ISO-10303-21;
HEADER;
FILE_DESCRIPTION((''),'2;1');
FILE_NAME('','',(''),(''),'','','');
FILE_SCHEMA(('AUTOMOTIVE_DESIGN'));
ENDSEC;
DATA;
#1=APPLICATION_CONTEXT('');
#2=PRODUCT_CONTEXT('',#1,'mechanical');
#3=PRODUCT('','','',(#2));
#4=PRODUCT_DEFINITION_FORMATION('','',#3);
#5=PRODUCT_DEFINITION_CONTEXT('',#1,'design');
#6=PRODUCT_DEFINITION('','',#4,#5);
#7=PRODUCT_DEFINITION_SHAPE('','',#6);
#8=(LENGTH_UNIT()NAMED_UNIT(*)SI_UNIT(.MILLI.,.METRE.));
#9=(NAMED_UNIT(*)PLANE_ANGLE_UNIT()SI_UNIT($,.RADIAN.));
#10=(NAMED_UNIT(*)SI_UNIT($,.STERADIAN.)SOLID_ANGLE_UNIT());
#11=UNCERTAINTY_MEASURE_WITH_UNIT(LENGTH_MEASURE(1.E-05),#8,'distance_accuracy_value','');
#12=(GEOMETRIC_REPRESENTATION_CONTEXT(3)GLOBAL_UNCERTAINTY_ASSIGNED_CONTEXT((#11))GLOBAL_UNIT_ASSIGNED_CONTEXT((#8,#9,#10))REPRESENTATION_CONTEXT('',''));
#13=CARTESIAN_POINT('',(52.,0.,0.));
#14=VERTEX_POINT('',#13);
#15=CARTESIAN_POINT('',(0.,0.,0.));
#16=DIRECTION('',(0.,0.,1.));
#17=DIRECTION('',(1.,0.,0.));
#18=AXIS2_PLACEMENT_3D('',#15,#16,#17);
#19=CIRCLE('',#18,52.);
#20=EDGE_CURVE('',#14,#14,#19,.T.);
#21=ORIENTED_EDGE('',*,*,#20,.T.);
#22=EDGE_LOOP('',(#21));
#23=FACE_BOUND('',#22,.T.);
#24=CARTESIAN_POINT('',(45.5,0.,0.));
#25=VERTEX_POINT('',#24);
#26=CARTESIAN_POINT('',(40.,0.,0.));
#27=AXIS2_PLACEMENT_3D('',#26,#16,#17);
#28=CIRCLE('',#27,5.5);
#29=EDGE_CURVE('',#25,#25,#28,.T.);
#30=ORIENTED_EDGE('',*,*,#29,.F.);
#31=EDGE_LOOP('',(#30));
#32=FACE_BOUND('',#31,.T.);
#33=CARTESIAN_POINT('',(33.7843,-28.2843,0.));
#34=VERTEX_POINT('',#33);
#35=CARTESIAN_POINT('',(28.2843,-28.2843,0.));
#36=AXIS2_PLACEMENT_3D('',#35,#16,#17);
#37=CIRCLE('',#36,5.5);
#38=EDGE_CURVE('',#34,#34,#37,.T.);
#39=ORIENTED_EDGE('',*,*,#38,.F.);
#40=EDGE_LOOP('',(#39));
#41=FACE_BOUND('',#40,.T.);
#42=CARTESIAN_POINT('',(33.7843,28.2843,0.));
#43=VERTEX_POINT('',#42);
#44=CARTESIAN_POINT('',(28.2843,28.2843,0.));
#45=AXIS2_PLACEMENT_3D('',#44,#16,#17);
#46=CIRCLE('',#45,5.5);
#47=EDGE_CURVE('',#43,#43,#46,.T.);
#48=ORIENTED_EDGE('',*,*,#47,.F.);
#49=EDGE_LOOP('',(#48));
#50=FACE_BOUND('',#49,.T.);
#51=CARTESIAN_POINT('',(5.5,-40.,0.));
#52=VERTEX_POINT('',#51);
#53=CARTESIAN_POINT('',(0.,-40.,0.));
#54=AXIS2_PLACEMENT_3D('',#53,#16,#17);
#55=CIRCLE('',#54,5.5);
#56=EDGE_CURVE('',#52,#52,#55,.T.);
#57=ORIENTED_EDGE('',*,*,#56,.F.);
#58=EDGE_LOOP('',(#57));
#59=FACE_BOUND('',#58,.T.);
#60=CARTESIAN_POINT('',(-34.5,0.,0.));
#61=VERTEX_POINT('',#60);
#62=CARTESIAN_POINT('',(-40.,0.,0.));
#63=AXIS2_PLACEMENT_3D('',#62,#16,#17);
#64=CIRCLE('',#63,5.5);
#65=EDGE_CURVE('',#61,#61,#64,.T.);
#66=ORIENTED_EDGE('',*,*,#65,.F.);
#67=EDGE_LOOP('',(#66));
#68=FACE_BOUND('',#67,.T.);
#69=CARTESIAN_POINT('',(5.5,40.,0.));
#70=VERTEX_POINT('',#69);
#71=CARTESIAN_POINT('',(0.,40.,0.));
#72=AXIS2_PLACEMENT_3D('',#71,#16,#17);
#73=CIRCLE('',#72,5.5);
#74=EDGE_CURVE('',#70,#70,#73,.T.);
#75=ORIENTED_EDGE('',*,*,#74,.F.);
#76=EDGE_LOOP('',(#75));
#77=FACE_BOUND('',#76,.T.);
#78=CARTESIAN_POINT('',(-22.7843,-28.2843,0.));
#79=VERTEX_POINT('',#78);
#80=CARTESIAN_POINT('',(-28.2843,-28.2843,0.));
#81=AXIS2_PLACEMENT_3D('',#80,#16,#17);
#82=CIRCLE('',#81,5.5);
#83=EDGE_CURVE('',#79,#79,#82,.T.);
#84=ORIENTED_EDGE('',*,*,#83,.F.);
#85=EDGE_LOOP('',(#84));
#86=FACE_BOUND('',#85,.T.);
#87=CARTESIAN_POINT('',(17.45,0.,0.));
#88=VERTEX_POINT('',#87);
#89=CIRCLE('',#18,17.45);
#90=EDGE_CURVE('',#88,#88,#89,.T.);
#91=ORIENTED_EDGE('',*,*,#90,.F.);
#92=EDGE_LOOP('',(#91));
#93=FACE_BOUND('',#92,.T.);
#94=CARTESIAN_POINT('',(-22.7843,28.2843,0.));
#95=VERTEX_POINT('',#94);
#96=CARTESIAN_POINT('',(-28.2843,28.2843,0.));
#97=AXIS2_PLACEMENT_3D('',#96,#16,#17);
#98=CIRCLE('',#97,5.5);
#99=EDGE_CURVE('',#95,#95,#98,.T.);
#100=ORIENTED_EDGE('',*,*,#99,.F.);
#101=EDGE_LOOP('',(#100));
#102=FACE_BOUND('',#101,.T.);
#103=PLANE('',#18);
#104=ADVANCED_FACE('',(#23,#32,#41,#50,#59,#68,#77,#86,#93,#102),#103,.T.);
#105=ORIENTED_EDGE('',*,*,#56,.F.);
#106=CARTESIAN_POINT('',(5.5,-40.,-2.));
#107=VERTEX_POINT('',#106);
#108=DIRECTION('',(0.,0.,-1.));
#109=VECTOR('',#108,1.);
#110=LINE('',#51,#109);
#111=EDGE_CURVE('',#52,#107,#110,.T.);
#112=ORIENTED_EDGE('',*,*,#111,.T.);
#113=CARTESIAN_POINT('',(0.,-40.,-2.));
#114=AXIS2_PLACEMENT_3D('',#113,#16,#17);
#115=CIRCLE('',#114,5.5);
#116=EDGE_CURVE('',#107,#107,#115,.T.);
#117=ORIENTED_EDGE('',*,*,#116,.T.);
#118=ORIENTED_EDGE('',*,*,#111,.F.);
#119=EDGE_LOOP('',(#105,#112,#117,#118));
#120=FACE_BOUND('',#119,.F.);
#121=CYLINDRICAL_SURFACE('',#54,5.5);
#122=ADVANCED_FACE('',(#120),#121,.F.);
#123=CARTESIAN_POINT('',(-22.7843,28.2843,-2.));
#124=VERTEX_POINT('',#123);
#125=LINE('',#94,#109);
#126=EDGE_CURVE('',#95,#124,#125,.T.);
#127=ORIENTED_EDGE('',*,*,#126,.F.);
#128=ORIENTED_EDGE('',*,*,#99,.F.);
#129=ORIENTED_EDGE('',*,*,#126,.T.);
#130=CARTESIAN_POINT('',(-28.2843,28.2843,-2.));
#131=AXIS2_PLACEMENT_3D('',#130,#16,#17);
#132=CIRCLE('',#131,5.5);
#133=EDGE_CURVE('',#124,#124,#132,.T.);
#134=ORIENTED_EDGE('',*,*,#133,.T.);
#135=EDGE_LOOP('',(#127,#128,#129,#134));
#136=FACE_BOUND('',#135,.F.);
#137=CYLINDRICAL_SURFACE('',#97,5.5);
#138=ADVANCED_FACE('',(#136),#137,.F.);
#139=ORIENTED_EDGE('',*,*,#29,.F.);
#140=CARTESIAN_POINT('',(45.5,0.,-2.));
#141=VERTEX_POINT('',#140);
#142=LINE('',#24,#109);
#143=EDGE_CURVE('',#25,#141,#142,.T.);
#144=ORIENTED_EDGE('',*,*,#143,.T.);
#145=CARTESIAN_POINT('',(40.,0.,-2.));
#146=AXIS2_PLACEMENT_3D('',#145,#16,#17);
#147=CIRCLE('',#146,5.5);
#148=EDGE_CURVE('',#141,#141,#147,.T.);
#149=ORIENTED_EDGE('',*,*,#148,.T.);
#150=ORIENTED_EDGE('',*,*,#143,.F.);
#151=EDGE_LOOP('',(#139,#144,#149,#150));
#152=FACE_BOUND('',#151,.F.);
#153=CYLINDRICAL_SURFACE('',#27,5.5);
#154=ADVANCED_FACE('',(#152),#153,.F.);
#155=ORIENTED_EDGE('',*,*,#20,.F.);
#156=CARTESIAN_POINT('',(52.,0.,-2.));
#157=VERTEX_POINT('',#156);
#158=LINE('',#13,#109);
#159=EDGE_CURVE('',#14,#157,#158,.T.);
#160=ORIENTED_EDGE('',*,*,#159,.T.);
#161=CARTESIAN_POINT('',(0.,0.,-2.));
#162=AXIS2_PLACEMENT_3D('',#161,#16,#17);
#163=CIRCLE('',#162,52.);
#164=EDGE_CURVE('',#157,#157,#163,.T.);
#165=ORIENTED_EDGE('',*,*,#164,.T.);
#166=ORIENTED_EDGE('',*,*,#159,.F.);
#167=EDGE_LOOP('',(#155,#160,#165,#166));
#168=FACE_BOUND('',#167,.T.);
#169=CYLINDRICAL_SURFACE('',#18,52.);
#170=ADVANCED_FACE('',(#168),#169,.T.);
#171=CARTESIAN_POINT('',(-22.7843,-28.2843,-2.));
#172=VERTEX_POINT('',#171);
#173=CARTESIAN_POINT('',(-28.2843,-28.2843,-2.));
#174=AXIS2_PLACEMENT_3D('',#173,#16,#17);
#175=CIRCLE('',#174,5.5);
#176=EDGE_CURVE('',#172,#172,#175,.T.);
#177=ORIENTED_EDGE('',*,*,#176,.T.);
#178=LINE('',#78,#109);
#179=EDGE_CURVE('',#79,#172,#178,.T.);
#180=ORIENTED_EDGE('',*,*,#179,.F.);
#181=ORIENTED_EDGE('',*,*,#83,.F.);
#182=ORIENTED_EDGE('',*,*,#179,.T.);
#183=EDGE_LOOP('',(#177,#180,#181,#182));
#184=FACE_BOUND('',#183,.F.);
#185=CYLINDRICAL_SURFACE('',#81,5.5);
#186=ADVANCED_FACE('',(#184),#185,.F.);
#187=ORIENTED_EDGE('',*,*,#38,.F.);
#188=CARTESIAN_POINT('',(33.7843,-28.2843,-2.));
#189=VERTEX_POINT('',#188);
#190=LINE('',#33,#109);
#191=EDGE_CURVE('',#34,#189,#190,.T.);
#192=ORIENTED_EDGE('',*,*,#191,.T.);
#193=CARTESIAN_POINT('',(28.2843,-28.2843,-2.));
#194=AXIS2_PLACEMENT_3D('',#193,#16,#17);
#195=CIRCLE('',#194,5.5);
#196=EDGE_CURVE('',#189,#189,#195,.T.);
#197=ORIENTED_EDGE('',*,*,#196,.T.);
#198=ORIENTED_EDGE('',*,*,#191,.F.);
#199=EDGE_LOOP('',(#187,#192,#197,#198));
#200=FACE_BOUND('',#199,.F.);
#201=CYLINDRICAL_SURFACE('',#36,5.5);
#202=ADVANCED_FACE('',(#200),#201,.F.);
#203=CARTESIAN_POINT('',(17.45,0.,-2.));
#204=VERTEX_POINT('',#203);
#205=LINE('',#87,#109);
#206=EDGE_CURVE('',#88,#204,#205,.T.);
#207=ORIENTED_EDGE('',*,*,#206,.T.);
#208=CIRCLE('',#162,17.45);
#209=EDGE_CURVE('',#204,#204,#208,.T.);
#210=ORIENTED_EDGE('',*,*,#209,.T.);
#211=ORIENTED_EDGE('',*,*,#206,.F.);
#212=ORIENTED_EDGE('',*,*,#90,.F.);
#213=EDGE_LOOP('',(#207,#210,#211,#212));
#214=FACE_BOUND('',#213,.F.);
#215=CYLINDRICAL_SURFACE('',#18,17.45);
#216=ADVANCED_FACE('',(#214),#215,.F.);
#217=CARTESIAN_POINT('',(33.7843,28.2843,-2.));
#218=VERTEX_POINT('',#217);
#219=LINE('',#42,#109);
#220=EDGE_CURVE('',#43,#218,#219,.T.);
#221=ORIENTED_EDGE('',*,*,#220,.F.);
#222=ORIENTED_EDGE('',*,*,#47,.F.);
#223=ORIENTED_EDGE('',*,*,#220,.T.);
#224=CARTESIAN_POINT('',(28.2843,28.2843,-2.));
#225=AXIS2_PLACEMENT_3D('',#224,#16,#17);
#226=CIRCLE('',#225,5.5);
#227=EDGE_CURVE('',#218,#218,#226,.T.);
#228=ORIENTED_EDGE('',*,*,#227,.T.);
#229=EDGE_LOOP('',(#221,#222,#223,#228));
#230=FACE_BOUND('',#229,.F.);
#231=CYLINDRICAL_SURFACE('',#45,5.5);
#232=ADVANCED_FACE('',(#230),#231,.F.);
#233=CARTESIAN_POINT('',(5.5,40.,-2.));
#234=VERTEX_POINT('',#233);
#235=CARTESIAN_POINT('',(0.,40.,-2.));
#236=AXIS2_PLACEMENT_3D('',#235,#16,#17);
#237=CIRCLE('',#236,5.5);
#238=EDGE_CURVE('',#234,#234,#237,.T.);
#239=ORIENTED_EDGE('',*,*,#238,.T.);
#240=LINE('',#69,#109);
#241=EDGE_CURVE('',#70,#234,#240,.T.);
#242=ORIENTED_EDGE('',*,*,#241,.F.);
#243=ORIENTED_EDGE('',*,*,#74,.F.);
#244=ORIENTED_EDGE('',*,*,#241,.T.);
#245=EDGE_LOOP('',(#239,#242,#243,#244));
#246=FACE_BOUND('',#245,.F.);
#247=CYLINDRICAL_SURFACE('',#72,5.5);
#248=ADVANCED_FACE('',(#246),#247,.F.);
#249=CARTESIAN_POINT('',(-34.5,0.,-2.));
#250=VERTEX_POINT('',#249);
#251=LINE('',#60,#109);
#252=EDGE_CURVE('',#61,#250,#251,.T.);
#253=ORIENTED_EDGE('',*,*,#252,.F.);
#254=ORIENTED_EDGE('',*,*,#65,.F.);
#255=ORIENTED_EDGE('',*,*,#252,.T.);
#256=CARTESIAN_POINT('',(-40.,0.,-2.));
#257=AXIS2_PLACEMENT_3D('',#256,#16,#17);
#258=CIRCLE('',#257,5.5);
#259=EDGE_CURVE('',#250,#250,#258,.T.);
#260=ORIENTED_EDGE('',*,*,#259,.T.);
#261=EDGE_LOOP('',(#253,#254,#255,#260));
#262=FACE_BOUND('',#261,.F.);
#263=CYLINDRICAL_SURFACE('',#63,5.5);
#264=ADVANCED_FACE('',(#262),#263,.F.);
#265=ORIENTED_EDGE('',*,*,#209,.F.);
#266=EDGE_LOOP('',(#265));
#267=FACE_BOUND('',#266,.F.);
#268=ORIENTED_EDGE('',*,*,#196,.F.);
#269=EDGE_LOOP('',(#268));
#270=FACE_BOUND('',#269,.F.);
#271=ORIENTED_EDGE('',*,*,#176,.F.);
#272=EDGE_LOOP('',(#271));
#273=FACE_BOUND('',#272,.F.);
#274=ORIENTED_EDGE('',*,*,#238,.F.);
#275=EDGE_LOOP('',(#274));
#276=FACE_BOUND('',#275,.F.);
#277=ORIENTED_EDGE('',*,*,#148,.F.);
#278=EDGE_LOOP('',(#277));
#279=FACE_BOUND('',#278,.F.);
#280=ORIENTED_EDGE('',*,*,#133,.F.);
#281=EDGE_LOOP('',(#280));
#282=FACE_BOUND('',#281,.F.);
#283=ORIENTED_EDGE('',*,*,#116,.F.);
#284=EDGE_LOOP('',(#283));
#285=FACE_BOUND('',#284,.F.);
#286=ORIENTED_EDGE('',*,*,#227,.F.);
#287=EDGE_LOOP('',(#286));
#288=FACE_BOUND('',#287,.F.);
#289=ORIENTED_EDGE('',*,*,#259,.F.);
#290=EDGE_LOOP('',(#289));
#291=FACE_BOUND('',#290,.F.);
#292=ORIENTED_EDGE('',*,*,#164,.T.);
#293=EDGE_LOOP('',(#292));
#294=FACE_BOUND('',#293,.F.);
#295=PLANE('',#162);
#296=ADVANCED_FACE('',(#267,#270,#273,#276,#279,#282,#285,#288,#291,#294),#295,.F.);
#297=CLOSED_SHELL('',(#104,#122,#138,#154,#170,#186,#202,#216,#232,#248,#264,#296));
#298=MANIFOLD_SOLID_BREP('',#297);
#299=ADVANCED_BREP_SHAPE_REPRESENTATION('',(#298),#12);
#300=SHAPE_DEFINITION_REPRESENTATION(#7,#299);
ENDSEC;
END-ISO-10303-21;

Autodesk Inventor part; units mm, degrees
ref_plane "YZ Plane" through (0, 0, 0) normal (1, 0, 0) x (0, 1, 0)
ref_plane "XZ Plane" through (0, 0, 0) normal (0, 1, 0) x (-1, 0, 0)
ref_plane "XY Plane" through (0, 0, 0) normal (0, 0, 1) x (1, 0, 0)
sketch "Sketch1" plane through (0, 0, 0) normal (0, 0, 1) x (1, 0, 0)
  circle A0 centre (0, 0) radius 52
  circle A1 centre (0, 0) radius 17.45
  circle A2 centre (0, 0) radius 40 construction
  circle A3 centre (40, 0) radius 5.5
  circle A4 centre (28.2843, 28.2843) radius 5.5
  circle A5 centre (0, 40) radius 5.5
  circle A6 centre (-28.2843, 28.2843) radius 5.5
  circle A7 centre (-40, 0) radius 5.5
  circle A8 centre (-28.2843, -28.2843) radius 5.5
  circle A9 centre (0, -40) radius 5.5
  circle A10 centre (28.2843, -28.2843) radius 5.5
  dimension "d39" = 80
  dimension "d31" = 34.9
  dimension "d32" = 104
  dimension "d40" = 11
  dimension "d43" = 360
extrude "Plate1" add sketch "Sketch1" against normal blind 2
equation "\"d15\" = Thickness"
equation "\"BendRadius\" = Thickness"
equation "\"BendReliefWidth\" = Thickness"
equation "\"BendReliefDepth\" = 0.5 * Thickness"
equation "\"CornerReliefSize\" = 4 * Thickness"
equation "\"MinimumRemnant\" = 2 * Thickness"
equation "\"TransitionRadius\" = BendRadius"
equation "\"JacobiRadiusSize\" = BendRadius"
equation "\"GapSize\" = Thickness"
equation "\"Thickness\" = 2"
properties part number "DMF flange small gear 2"
